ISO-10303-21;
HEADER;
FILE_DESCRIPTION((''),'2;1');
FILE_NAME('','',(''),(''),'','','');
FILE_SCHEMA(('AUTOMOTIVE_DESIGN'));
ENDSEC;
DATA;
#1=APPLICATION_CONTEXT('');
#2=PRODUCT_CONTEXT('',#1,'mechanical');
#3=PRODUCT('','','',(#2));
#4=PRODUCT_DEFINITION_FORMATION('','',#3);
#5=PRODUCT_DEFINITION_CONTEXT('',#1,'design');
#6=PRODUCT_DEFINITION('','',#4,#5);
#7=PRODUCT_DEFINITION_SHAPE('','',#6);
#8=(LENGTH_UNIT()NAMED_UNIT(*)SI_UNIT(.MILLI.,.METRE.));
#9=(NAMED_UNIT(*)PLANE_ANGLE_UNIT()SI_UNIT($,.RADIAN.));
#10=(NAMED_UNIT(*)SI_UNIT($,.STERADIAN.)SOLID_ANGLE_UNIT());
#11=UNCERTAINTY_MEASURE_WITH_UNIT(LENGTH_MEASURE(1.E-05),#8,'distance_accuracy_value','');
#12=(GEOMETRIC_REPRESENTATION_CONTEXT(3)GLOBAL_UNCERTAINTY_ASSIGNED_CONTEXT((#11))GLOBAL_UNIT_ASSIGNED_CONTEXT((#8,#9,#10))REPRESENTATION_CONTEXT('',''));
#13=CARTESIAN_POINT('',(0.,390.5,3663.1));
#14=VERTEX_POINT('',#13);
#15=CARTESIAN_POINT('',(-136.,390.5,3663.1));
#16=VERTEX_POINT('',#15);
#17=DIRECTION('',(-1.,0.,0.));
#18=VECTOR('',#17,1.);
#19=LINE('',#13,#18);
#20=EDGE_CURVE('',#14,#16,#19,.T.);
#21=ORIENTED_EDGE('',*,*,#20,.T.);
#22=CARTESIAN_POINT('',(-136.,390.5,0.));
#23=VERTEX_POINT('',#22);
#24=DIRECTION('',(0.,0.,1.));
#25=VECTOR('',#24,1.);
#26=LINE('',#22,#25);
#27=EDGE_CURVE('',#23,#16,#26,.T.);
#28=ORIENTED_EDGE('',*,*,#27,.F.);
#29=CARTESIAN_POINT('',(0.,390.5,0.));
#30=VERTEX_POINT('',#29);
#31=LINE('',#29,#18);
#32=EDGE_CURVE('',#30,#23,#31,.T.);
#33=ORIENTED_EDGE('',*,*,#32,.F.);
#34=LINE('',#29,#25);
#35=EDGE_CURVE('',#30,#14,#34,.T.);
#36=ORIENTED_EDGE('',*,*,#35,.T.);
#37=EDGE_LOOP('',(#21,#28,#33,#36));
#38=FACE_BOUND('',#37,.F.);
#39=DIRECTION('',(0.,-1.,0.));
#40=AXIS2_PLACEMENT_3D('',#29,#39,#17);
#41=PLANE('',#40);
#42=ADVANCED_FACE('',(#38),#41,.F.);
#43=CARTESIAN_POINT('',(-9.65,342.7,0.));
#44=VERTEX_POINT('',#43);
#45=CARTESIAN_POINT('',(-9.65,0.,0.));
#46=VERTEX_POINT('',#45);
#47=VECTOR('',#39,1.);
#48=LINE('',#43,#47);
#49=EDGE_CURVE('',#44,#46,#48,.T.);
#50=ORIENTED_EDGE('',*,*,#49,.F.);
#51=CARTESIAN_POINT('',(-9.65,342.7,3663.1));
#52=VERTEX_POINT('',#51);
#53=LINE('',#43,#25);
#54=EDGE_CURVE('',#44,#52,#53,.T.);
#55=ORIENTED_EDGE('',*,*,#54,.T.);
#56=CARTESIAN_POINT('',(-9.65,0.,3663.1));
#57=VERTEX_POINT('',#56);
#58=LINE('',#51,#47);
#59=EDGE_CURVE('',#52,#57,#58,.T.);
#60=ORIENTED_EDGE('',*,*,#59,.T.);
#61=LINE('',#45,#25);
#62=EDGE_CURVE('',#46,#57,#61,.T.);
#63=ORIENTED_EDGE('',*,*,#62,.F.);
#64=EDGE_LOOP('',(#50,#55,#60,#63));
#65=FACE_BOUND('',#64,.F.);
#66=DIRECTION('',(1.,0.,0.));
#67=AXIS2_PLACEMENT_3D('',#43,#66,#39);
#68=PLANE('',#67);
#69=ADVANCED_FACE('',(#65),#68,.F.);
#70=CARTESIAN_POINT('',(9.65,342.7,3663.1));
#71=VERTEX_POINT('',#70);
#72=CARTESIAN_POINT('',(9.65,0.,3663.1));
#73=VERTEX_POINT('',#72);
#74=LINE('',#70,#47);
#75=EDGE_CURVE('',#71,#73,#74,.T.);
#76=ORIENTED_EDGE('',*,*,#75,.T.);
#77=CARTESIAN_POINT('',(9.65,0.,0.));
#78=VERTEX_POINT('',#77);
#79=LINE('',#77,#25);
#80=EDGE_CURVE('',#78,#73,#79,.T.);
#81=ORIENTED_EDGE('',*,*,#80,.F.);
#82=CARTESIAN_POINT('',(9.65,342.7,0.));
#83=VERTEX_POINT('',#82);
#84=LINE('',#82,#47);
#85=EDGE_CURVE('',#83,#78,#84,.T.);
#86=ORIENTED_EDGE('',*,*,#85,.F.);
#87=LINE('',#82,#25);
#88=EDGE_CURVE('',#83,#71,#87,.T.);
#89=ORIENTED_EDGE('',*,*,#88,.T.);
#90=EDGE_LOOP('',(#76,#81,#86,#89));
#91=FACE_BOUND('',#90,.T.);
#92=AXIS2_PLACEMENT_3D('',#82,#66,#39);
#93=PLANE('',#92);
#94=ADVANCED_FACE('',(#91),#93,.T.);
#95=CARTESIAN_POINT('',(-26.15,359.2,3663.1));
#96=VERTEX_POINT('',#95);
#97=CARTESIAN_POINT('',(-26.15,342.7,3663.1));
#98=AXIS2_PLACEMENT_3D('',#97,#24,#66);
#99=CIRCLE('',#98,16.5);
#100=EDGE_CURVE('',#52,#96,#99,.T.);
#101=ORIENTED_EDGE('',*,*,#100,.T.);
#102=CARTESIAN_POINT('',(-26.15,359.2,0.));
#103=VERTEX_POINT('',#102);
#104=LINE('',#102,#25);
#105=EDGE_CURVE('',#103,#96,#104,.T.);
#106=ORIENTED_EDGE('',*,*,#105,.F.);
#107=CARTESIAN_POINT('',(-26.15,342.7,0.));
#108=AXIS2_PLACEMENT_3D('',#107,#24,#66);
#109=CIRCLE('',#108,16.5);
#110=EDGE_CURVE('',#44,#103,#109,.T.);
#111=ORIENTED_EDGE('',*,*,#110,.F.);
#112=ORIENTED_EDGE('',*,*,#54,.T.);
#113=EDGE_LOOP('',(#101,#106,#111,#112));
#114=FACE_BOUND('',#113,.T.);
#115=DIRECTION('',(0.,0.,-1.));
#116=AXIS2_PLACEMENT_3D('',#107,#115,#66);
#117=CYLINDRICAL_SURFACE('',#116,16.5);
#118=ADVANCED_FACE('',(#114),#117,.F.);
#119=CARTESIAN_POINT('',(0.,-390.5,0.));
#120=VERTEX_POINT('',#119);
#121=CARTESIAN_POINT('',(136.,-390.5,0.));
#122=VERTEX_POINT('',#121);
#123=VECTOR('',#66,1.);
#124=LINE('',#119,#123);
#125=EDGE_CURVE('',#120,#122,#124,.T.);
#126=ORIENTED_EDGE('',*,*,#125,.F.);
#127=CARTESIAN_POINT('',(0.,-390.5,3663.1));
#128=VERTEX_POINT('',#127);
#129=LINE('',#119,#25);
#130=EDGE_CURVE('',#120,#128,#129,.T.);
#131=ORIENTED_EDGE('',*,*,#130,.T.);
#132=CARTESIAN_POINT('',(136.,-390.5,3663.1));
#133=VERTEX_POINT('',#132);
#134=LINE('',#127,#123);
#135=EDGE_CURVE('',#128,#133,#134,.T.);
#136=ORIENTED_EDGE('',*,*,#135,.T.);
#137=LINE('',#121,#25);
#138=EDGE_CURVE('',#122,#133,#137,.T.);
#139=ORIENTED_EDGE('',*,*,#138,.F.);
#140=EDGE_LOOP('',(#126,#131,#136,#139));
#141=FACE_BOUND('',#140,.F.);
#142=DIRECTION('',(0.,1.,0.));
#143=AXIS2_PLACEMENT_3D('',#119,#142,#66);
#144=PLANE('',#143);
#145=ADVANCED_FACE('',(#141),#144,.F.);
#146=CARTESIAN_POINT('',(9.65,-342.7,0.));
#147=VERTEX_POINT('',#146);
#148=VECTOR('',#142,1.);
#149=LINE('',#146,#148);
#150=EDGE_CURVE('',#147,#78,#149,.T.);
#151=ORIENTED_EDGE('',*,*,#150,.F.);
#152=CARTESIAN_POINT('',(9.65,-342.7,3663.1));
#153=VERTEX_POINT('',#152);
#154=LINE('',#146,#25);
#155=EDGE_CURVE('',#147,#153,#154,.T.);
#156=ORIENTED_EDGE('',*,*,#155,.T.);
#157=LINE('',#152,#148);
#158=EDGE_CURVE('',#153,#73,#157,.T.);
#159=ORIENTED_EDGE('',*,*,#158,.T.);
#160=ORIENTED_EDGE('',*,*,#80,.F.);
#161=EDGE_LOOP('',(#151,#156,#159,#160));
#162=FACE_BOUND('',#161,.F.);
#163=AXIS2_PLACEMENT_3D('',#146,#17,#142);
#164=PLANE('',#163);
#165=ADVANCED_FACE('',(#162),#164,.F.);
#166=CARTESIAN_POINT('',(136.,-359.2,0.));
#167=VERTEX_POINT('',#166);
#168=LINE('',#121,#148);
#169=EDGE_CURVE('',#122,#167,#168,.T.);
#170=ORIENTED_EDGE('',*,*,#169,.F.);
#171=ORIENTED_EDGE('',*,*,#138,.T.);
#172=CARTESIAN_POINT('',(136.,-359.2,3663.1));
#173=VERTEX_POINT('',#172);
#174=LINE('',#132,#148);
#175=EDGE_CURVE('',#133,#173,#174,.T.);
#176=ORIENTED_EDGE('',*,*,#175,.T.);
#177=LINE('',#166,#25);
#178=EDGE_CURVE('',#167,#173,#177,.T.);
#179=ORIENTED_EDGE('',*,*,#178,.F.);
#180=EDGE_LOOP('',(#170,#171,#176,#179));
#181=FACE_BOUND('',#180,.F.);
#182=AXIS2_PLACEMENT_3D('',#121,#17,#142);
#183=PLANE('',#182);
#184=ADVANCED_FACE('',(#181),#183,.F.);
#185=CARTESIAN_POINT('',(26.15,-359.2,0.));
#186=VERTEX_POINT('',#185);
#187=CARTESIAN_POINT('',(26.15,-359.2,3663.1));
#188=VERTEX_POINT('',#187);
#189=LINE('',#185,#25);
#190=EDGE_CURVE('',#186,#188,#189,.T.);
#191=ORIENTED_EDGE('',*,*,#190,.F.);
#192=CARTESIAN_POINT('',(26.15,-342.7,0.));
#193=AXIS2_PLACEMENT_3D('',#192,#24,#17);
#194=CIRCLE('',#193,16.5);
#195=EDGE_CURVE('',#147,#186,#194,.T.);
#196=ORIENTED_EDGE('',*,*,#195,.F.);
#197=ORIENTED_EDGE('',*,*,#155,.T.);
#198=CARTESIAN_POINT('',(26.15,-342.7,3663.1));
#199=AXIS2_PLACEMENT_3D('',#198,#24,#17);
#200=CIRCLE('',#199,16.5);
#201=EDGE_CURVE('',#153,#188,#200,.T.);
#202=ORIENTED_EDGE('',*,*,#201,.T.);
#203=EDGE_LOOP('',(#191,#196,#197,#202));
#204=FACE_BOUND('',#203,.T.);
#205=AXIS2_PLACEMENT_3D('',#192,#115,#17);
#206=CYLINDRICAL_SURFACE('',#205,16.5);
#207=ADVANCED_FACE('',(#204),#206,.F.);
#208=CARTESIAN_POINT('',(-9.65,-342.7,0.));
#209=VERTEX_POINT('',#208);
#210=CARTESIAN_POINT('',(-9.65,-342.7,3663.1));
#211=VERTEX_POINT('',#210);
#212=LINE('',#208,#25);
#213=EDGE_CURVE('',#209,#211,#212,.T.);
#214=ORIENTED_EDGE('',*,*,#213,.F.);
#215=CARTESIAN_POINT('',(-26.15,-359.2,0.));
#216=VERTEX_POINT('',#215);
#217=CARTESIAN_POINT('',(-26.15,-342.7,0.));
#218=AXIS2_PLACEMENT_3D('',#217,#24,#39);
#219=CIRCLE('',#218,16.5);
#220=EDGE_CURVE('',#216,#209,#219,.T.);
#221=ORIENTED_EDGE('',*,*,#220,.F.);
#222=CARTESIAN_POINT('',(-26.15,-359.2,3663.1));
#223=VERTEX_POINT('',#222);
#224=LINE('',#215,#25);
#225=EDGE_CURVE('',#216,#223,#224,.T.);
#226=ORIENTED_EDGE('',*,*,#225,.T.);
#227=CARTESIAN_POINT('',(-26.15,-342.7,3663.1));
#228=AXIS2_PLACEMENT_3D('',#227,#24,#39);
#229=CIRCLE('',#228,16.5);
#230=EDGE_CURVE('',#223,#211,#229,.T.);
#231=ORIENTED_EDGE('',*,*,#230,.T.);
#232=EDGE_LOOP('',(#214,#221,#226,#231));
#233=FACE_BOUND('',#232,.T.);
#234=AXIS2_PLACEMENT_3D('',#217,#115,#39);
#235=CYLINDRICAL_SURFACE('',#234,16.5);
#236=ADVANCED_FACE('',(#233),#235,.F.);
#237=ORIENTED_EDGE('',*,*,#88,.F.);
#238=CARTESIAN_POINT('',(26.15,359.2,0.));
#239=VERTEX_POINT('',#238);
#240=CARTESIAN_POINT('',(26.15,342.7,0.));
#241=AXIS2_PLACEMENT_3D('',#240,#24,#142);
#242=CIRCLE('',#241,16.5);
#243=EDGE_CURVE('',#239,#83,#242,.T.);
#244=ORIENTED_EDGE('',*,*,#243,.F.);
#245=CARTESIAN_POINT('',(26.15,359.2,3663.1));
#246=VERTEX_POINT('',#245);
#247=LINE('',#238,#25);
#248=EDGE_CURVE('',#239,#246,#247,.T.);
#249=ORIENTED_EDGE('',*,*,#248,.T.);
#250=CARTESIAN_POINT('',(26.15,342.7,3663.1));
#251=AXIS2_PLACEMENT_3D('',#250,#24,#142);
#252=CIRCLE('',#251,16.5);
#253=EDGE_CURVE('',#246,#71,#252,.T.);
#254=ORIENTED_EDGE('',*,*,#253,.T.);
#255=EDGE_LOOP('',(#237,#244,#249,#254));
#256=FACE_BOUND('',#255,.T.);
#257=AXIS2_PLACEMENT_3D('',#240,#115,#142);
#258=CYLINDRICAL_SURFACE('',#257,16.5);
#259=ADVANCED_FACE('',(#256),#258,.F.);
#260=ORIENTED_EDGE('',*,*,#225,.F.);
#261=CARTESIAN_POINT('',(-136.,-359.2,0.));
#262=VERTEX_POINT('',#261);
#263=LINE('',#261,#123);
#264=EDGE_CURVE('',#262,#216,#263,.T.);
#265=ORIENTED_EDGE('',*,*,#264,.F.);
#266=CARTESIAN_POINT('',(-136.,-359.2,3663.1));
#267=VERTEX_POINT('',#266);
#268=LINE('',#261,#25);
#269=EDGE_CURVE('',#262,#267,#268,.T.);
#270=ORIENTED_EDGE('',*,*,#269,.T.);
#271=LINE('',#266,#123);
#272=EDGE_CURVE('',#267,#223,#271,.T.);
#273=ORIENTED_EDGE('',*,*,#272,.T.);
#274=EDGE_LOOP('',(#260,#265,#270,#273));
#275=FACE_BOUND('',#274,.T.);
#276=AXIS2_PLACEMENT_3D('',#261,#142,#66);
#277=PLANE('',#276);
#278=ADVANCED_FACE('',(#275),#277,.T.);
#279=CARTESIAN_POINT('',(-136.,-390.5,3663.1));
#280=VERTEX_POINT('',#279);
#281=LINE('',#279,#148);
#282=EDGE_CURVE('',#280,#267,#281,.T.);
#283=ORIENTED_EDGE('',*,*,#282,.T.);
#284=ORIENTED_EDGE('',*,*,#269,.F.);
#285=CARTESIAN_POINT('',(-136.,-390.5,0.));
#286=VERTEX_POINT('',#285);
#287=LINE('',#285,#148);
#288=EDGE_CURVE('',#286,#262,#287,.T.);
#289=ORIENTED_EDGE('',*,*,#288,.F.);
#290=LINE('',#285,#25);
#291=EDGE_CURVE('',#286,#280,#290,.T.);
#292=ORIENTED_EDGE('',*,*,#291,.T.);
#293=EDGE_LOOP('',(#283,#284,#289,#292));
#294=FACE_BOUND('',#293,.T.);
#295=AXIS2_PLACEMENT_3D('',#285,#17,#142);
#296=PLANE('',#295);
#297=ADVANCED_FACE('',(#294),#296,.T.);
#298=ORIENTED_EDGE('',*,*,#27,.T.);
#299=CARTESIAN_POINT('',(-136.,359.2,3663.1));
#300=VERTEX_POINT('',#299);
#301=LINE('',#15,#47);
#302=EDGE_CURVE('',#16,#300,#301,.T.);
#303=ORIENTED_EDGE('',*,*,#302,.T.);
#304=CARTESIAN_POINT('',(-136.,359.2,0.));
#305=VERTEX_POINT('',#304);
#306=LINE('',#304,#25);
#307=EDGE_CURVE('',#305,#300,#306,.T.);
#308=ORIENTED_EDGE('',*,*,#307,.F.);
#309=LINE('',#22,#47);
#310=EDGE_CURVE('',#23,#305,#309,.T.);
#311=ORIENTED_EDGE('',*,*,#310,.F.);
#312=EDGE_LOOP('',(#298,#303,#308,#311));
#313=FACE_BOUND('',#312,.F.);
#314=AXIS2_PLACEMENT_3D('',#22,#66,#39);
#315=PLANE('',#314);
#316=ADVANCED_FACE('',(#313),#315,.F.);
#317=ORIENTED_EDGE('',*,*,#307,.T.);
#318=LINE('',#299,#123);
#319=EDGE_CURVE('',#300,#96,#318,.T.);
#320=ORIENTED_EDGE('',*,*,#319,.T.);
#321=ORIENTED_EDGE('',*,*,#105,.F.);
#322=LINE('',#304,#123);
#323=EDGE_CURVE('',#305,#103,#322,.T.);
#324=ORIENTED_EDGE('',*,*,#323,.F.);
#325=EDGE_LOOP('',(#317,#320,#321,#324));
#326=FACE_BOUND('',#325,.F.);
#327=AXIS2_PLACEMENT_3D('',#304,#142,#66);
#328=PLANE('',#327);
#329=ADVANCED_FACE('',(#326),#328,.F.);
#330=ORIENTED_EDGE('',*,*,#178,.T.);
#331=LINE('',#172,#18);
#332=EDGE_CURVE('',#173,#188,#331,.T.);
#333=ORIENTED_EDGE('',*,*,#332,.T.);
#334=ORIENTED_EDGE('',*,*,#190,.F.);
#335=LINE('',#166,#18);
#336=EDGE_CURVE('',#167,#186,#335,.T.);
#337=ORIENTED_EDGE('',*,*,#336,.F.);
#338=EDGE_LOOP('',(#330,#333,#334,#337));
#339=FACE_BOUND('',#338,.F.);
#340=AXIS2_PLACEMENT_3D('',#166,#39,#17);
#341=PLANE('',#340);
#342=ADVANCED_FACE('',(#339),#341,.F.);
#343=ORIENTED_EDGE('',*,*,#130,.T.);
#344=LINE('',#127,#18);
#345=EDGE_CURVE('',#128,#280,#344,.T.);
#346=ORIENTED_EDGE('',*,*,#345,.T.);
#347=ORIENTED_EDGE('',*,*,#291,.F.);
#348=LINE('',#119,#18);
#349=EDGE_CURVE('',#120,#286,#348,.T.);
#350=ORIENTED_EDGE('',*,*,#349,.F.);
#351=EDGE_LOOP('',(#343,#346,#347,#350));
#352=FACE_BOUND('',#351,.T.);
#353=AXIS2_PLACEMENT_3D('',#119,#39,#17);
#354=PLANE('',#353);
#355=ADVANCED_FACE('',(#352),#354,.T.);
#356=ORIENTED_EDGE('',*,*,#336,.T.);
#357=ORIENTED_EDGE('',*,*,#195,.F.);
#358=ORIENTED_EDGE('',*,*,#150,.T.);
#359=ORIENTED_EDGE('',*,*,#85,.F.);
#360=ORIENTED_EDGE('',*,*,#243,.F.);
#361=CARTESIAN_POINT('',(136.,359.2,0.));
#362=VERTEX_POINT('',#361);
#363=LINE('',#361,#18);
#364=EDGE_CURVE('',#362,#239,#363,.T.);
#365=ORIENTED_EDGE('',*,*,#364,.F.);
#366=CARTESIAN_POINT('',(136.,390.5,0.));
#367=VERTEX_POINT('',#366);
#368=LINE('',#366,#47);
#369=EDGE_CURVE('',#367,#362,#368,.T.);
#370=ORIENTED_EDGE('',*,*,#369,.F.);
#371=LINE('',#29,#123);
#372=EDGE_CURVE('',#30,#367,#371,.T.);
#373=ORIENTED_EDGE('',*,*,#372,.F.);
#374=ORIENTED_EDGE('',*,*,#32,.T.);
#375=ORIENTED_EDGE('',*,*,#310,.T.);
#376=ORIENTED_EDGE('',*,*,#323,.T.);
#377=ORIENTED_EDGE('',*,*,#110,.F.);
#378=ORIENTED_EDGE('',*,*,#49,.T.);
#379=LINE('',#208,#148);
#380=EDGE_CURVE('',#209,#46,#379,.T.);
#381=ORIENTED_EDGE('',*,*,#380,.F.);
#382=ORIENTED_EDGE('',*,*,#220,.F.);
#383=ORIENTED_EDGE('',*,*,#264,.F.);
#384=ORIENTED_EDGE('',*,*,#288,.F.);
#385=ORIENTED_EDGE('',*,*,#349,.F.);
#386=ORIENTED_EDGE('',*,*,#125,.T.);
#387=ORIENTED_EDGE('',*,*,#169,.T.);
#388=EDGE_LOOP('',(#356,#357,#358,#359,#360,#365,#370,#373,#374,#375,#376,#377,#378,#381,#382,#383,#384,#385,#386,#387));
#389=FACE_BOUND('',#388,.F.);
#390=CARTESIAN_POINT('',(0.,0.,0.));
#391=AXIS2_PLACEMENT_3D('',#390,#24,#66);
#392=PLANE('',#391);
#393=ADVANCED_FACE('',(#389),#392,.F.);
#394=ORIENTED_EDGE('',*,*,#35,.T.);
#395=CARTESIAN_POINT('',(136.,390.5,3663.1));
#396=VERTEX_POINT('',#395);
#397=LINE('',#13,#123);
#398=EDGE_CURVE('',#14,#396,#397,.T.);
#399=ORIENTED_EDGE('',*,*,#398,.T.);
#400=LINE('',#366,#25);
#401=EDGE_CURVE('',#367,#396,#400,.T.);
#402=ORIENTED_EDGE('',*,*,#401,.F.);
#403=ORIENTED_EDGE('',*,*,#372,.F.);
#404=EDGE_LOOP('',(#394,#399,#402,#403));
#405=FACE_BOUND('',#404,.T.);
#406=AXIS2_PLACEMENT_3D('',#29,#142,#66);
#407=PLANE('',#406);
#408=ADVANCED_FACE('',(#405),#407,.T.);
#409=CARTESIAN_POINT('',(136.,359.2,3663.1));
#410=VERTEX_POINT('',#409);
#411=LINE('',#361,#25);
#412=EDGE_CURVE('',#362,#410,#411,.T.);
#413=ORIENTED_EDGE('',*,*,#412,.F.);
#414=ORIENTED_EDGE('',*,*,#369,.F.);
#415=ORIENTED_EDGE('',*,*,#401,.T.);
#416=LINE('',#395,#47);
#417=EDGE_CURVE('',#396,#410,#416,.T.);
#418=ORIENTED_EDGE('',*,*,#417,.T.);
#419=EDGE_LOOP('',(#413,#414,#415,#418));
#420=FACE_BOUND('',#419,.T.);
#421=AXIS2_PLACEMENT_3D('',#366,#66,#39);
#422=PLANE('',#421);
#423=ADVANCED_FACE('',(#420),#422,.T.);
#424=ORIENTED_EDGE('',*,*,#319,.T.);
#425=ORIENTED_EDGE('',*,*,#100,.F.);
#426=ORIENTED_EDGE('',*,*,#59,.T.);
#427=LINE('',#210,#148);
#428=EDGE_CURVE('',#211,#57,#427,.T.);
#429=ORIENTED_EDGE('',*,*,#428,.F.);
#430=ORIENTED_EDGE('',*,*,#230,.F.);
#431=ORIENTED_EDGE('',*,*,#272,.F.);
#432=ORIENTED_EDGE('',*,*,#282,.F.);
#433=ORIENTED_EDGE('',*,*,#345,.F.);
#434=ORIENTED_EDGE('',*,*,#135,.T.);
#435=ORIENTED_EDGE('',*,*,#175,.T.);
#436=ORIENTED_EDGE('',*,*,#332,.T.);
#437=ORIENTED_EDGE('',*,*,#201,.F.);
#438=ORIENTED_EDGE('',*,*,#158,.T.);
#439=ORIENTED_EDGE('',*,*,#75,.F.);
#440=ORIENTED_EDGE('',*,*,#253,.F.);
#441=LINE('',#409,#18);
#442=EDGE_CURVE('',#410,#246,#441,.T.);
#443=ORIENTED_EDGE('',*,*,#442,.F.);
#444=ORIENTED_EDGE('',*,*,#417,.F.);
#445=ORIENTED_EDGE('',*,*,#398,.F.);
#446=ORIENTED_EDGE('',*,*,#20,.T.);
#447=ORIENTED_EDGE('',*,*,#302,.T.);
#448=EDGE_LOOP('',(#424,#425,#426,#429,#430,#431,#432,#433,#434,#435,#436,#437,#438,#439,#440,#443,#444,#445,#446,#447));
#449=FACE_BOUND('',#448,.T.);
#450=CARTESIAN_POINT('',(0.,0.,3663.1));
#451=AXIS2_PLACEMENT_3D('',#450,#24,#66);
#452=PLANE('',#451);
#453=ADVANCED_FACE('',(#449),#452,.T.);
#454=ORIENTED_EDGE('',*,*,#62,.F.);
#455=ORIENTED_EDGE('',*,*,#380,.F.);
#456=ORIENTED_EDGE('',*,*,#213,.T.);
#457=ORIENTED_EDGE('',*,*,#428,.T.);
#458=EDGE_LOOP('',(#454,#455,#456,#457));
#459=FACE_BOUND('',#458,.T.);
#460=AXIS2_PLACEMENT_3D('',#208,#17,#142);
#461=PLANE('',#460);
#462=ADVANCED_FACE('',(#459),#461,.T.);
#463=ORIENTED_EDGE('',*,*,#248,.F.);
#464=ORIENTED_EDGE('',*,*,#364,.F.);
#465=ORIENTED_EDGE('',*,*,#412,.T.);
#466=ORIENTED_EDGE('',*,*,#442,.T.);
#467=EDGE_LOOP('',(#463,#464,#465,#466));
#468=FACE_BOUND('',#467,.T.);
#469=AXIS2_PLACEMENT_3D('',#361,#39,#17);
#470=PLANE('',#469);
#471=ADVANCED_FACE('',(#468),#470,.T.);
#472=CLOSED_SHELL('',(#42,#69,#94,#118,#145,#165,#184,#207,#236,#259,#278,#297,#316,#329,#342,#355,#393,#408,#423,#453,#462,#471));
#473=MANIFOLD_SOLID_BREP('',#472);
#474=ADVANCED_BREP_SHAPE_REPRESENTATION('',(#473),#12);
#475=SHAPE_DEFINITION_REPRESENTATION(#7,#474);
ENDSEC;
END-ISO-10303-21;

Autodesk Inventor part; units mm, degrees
ref_plane "YZ Plane" through (0, 0, 0) normal (1, 0, 0) x (0, 1, 0)
ref_plane "Start plane" through (0, 0, 0) normal (0, 0, 1) x (1, 0, 0)
ref_plane "End plane" through (0, 0, 3663.1) normal (0, 0, 1) x (1, 0, 0)
sketch "Sketch" plane through (0, 0, 0) normal (0, 0, 1) x (1, 0, 0)
  line L0 (-136, -390.5) -> (-136, -359.2)
  line L1 (-136, -359.2) -> (-26.15, -359.2)
  line L2 (-9.65, -342.7) -> (-9.65, 0)
  line L3 (-9.65, 0) -> (0, 0) construction
  line L4 (0, 0) -> (0, -390.5) construction
  line L5 (0, -390.5) -> (-136, -390.5)
  line L6 (-60, 0) -> (80, 0) construction
  line L7 (0, -60) -> (0, 80) construction
  line L8 (136, -390.5) -> (136, -359.2)
  line L9 (136, -359.2) -> (26.15, -359.2)
  line L10 (9.65, -342.7) -> (9.65, 0)
  line L11 (9.65, 0) -> (0, 0) construction
  line L12 (0, -390.5) -> (136, -390.5)
  line L13 (-136, 390.5) -> (-136, 359.2)
  line L14 (-136, 359.2) -> (-26.15, 359.2)
  line L15 (-9.65, 342.7) -> (-9.65, 0)
  line L16 (0, 390.5) -> (-136, 390.5)
  line L17 (136, 390.5) -> (136, 359.2)
  line L18 (136, 359.2) -> (26.15, 359.2)
  line L19 (0, 390.5) -> (136, 390.5)
  line L20 (9.65, 342.7) -> (9.65, 0)
  arc A0 (-9.65, 342.7) -> (-26.15, 359.2) centre (-26.15, 342.7) ccw
  arc A1 (26.15, 359.2) -> (9.65, 342.7) centre (26.15, 342.7) ccw
  arc A2 (9.65, -342.7) -> (26.15, -359.2) centre (26.15, -342.7) ccw
  arc A3 (-26.15, -359.2) -> (-9.65, -342.7) centre (-26.15, -342.7) ccw
  line L21 (0, 108) -> (0, -88) construction
  line L22 (-88, 0) -> (108, 0) construction
  point P0 (-9.65, -359.2)
  point P1 (9.65, -359.2)
  point P2 (-9.65, 359.2)
  point P3 (9.65, 359.2)
  dimension "d1" = 390.5
  dimension "d2" = 31.3
  dimension "d3" = 136
  dimension "d4" = 9.65
  dimension "d10" = 16.5
extrude "Body" add sketch "Sketch" along normal up to surface (3663.1 mm away) from surface at 0
sketch "Sketch4" plane through (0, 0, 0) normal (0, 0, 1) x (1, 0, 0)
  line L0 (0, 0) -> (10, 0)
ref_plane "Work Plane3" through (0, 0, 0) normal (0, -1, 0) x (1, 0, 0)
sketch "Sketch5" plane through (0, 0, 0) normal (0, -1, 0) x (1, 0, 0)
  line L0 (-2, 0) -> (12, 0) projected
  line L1 (-2, 3663.1) -> (12, 3663.1) projected
  dimension "d14" = 3663.1
equation "\"d1\" = 0.5 * G_H"
equation "\"d2\" = G_T1"
equation "\"d3\" = 0.5 * G_W"
equation "\"d4\" = 0.5 * G_T"
equation "\"d10\" = G_IR"
equation "\"d5\" = G_L"
equation "\"G_W\" = 272"
equation "\"G_H\" = 781"
equation "\"G_T\" = 19.3"
equation "\"G_T1\" = 31.3"
equation "\"G_IR\" = 16.5"
equation "\"G_L\" = d14"
equation "\"G_OFFSET_START\" = 0"
equation "\"G_OFFSET_END\" = 0"
equation "\"d12\" = G_OFFSET_END + B_L"
equation "\"B_L\" = 3663.1"
properties part number "AS 3679-1990 - 760 UB - 244 - 3663.1" material "Steel, Mild"
